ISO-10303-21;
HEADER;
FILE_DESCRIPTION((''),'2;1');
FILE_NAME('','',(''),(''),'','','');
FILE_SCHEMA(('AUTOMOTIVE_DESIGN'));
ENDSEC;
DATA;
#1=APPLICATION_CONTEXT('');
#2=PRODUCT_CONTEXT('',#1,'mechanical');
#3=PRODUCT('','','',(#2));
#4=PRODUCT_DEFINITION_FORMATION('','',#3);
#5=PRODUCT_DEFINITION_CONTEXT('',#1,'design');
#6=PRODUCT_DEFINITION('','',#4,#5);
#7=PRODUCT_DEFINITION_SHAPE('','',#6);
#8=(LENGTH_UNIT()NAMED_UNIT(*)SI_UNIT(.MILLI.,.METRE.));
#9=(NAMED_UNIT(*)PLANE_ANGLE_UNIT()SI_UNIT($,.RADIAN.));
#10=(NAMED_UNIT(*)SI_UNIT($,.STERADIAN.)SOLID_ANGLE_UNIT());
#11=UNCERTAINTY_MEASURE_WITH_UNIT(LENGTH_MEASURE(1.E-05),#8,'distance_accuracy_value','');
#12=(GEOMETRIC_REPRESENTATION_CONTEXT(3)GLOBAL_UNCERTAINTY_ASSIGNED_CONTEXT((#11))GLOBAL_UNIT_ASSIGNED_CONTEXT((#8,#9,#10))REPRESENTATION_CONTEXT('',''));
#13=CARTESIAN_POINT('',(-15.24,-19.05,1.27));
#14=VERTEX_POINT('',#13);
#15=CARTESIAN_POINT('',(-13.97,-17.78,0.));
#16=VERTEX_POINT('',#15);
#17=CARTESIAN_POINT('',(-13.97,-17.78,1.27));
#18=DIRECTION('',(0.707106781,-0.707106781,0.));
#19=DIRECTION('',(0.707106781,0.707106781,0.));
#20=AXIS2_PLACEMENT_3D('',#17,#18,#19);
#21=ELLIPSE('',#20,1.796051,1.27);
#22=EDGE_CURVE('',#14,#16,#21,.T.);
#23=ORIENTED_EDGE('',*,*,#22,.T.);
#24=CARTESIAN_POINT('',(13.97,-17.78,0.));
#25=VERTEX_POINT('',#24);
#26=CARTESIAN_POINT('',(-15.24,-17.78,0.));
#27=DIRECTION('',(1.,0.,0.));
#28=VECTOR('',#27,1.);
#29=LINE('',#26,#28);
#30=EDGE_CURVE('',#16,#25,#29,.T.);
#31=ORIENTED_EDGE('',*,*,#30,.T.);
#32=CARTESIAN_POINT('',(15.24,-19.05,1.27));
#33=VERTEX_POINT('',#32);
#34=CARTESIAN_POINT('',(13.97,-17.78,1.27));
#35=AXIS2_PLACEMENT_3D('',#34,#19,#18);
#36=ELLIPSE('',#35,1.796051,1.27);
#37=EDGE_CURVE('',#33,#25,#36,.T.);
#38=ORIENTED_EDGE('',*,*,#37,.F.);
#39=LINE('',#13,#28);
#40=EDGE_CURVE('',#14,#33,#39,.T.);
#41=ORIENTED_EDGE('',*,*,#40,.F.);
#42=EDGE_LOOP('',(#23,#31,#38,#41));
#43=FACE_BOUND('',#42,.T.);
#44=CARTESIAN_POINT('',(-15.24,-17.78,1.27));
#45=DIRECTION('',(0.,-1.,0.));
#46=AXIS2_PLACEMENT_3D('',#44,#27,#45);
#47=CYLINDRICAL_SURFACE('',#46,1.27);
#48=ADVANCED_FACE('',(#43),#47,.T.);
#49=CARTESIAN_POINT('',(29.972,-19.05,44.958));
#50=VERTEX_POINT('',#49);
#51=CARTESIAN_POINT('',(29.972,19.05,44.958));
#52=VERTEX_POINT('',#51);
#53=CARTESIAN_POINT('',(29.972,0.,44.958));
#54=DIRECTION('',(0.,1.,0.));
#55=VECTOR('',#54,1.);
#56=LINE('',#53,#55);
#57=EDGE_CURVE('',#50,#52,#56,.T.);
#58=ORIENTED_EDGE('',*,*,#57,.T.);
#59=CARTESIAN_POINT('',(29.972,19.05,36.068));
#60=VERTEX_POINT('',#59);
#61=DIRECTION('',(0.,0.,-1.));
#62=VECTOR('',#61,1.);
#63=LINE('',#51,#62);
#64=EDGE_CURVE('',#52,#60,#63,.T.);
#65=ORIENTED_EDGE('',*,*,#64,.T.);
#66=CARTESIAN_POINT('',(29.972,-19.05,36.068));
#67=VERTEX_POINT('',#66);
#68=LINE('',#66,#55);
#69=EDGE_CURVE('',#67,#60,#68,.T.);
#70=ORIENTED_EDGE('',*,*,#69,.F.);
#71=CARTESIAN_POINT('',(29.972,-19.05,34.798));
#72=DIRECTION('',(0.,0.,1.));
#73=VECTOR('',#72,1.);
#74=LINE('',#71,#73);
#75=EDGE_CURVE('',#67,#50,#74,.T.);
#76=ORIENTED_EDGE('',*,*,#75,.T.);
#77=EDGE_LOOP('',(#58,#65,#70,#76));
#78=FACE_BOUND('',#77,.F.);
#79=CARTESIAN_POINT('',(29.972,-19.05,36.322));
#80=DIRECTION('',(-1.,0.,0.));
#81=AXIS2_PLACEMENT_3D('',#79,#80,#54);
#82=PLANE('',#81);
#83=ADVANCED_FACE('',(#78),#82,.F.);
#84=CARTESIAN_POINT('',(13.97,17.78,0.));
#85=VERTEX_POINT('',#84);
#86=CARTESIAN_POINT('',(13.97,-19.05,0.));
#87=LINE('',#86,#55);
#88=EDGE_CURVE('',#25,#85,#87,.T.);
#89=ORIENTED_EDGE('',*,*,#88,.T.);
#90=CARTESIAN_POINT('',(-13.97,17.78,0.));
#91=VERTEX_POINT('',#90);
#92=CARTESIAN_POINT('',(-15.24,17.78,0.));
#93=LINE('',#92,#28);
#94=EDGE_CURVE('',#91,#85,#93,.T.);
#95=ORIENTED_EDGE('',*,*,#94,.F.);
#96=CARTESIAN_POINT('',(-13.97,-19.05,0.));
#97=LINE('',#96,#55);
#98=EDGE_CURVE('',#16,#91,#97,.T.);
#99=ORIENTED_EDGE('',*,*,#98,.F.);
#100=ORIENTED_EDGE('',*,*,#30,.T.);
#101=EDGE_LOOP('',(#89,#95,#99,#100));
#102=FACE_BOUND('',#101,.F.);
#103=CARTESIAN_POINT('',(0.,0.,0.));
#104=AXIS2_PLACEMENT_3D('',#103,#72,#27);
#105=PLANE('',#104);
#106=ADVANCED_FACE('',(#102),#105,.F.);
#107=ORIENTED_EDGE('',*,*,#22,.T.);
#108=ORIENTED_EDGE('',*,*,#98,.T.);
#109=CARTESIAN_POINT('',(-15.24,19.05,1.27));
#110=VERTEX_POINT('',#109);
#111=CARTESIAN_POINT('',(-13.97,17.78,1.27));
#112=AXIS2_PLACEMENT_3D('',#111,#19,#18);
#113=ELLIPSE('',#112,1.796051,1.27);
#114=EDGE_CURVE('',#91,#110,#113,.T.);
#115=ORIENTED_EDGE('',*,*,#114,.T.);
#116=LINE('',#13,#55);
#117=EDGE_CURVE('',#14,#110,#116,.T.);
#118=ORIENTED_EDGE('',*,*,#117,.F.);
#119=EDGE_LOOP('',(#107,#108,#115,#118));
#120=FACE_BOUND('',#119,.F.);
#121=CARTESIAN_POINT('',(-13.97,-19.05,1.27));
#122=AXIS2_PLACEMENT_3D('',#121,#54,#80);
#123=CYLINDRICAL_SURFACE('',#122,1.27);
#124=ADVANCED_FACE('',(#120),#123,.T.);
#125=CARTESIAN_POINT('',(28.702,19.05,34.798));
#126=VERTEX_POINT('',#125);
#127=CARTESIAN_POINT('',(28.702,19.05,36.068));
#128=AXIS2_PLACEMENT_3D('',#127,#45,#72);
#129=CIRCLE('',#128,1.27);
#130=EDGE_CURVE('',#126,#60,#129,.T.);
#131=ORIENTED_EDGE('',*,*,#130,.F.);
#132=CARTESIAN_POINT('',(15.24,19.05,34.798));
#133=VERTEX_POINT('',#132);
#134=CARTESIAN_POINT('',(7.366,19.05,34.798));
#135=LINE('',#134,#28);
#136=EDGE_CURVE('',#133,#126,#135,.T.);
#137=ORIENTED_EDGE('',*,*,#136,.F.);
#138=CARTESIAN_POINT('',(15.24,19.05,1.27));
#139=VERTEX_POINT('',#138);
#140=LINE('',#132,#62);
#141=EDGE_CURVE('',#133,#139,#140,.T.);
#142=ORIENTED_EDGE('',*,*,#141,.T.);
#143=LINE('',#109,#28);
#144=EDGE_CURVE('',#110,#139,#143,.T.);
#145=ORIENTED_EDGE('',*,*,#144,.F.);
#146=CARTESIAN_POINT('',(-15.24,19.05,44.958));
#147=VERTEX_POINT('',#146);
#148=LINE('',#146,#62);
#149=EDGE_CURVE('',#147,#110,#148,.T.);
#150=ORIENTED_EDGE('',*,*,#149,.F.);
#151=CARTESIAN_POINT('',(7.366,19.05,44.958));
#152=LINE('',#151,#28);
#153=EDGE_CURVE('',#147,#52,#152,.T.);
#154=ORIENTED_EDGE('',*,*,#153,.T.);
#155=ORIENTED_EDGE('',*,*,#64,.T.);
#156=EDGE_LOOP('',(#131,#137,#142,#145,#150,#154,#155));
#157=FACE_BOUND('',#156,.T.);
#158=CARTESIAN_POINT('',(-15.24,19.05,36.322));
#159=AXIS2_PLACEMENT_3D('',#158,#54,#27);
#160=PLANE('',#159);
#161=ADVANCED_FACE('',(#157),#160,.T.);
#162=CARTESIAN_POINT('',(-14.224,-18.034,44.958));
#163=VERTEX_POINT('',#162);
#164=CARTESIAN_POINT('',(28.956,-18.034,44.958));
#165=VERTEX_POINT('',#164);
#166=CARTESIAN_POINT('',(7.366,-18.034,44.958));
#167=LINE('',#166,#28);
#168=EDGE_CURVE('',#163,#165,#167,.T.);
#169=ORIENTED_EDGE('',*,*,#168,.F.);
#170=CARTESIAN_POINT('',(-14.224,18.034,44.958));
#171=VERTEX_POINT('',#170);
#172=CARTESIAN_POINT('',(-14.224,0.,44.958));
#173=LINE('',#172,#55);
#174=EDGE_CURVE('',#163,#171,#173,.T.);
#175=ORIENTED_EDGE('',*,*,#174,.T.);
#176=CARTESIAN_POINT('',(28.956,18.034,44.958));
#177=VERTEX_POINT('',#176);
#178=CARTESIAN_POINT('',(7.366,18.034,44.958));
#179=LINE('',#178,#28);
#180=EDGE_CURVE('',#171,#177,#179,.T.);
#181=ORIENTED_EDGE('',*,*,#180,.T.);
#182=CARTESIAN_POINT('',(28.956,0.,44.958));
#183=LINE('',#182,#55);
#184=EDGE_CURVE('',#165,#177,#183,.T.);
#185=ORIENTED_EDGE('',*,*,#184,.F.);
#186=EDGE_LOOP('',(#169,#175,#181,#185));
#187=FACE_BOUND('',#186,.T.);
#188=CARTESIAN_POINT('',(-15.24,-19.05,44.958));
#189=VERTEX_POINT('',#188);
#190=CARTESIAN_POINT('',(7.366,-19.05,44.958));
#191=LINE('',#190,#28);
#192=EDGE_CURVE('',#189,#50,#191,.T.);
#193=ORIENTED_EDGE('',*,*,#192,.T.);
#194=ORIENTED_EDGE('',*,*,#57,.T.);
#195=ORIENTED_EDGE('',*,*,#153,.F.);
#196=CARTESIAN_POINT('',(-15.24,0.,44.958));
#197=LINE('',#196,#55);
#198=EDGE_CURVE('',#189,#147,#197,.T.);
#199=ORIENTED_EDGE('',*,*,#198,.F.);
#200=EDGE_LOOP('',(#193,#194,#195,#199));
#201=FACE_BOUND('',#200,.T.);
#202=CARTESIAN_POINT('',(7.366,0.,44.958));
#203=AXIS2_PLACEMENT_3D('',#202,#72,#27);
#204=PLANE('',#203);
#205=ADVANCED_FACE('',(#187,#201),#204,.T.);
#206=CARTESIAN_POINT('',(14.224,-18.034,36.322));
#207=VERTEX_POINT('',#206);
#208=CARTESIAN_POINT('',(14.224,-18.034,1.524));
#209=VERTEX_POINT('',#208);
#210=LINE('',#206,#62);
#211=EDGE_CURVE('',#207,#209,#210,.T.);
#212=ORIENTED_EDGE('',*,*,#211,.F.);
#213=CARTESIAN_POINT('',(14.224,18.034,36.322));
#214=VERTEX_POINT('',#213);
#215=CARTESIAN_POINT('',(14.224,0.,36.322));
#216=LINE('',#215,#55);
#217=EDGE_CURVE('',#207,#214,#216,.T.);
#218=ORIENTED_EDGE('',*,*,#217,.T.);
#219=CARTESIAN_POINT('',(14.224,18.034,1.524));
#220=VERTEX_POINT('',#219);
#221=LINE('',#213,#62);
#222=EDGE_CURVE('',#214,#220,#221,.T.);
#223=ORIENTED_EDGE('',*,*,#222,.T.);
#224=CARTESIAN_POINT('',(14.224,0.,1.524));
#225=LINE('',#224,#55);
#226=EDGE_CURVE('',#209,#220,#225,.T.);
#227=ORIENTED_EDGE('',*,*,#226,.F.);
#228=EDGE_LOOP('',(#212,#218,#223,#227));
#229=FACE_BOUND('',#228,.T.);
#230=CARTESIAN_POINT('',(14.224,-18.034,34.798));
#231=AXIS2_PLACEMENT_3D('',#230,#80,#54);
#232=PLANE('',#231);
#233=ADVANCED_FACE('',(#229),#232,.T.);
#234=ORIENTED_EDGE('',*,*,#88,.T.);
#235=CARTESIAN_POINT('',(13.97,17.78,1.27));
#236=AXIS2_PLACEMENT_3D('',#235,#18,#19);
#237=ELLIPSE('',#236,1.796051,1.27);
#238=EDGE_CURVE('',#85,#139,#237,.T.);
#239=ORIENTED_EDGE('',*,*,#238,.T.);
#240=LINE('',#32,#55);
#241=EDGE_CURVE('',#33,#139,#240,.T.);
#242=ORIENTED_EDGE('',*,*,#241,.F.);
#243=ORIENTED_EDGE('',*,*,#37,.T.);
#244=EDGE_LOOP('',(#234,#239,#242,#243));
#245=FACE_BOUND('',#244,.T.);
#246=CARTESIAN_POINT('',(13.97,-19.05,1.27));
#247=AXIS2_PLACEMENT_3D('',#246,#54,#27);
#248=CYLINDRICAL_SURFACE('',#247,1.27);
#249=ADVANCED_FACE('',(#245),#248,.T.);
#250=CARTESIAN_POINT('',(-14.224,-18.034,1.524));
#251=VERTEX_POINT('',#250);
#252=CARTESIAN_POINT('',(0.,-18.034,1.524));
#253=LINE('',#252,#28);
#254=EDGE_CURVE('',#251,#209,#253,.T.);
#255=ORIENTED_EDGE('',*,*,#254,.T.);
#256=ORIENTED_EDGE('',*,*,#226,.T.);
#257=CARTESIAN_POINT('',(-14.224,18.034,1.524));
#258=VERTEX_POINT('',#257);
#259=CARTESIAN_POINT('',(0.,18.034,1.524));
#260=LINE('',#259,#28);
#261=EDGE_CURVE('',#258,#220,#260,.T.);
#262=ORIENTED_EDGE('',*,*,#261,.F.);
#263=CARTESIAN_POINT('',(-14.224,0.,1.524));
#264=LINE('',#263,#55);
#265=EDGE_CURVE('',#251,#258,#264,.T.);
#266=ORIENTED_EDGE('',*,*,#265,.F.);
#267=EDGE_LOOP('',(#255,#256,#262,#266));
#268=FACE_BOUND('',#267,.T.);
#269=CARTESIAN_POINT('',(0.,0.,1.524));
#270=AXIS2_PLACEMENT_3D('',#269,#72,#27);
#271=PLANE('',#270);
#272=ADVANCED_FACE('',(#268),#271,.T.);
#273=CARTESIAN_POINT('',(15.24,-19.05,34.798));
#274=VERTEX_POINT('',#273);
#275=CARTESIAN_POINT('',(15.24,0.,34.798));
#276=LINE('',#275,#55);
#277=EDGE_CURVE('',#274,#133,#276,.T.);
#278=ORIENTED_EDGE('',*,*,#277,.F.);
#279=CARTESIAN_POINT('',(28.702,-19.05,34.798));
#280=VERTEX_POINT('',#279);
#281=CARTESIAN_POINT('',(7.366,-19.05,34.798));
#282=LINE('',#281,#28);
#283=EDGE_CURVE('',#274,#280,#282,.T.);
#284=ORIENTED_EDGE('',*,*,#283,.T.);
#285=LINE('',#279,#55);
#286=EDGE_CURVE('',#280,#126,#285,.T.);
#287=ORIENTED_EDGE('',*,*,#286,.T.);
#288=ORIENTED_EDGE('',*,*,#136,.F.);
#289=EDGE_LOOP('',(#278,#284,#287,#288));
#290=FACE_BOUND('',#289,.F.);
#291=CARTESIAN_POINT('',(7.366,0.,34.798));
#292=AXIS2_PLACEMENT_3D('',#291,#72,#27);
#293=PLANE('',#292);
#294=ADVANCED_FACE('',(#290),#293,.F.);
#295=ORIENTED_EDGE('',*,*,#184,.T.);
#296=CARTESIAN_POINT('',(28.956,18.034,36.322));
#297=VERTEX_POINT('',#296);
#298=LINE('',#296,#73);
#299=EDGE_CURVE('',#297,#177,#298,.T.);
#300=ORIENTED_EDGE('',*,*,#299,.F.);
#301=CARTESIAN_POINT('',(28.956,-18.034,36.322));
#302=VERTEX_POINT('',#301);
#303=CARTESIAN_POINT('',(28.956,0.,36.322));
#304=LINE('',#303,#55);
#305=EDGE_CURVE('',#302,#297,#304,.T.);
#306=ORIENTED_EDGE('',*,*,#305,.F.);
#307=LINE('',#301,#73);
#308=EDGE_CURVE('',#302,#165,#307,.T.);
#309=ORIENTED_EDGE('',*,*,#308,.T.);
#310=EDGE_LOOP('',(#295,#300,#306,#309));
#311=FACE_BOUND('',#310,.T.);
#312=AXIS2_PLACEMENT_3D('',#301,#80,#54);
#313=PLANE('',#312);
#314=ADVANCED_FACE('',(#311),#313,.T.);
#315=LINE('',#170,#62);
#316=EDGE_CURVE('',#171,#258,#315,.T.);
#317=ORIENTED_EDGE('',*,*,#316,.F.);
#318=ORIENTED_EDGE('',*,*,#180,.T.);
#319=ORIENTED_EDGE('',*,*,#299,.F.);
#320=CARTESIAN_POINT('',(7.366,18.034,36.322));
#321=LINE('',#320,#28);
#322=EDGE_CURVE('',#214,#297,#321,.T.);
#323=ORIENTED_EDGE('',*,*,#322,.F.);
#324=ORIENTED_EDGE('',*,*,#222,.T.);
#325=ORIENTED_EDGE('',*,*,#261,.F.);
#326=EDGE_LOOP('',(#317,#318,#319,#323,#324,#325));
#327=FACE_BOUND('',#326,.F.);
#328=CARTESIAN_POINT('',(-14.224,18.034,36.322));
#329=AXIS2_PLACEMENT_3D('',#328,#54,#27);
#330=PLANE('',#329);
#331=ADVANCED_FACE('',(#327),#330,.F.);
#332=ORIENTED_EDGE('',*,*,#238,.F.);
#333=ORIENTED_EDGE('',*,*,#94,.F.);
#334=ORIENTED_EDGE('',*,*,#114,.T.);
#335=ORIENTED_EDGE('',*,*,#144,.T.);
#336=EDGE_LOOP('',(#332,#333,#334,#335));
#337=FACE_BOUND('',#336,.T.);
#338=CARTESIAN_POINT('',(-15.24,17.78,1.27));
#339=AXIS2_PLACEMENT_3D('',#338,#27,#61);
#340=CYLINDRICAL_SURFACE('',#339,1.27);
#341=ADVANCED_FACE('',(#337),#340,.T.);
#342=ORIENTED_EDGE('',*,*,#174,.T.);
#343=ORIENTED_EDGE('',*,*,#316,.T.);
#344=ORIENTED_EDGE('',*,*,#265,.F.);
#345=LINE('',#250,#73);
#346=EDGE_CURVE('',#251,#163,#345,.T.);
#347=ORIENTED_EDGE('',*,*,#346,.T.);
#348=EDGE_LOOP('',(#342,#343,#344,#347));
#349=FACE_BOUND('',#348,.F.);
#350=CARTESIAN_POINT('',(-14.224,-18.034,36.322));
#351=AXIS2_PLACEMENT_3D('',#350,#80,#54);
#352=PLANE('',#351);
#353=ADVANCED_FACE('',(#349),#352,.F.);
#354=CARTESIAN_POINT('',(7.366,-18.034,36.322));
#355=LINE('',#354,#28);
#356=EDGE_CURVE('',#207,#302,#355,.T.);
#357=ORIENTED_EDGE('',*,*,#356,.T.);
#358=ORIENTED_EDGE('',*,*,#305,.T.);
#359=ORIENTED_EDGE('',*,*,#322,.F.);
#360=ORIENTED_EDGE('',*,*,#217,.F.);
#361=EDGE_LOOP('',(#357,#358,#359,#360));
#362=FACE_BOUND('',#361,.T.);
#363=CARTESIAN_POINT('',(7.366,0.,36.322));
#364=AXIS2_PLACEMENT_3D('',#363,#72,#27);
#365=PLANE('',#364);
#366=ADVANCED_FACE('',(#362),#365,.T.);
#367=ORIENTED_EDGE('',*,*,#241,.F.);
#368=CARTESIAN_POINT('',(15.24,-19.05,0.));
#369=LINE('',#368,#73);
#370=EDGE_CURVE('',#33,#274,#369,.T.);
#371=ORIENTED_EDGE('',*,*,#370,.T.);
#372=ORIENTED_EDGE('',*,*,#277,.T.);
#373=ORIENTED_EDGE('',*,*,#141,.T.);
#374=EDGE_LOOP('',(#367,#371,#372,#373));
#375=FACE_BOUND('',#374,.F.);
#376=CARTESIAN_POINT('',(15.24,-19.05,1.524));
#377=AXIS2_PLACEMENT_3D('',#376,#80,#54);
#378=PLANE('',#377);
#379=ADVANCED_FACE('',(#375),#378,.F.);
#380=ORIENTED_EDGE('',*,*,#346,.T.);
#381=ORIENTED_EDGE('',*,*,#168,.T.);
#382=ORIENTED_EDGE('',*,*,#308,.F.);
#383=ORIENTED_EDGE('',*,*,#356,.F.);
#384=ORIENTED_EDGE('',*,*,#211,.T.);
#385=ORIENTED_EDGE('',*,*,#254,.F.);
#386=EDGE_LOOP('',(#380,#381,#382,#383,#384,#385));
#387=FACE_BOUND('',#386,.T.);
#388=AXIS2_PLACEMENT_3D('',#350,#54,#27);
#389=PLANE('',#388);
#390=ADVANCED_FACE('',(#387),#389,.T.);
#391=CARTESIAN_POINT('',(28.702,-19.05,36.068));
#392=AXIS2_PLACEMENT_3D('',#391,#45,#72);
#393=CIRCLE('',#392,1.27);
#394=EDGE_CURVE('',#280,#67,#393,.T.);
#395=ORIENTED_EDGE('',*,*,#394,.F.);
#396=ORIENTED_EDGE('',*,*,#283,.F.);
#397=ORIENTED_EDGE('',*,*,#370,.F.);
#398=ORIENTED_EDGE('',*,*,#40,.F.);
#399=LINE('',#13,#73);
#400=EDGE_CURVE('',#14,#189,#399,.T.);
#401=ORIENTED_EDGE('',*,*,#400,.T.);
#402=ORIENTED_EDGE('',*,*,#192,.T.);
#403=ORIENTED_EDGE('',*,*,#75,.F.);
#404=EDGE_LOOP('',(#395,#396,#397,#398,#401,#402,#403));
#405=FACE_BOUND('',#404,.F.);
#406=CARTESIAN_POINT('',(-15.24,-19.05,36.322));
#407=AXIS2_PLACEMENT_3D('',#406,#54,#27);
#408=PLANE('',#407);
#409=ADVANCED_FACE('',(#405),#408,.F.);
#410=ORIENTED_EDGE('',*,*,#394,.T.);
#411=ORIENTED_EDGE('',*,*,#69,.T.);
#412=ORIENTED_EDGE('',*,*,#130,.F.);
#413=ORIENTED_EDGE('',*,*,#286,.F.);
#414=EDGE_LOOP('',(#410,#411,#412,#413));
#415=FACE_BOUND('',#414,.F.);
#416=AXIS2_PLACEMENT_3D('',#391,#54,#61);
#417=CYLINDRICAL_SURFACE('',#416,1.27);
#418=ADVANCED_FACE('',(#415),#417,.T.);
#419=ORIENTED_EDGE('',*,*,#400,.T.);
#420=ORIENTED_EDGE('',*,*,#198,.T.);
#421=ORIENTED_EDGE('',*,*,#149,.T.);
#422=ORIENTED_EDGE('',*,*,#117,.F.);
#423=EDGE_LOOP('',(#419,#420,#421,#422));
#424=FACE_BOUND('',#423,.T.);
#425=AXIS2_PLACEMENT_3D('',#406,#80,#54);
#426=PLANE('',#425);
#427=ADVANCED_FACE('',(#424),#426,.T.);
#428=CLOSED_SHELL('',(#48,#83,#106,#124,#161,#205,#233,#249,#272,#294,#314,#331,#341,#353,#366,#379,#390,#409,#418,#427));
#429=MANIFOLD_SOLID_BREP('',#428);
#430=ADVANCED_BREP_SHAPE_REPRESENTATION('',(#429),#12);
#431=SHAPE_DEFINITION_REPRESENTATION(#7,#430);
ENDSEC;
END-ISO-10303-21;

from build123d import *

# Parameters (mm, degrees)
F0_W     = 30.48
F0_H     = 38.1
F1_DEPTH = 1.524
F2_W     = 30.48
F2_H     = 38.1
F2_W_2   = 28.448
F2_H_2   = 36.068
F3_DEPTH = 33.274
F4_R     = 1.27
F5_W     = 45.212
F5_H     = 38.1
F5_W_2   = 28.448
F5_H_2   = 36.068
F6_DEPTH = 1.524
F7_W     = 45.212
F7_H     = 38.1
F7_W_2   = 43.18
F7_H_2   = 36.068
F8_DEPTH = 8.636
F9_R     = 1.27


with BuildPart() as f1:
    # F0 (on Top) → F1 (new body)
    with BuildSketch(Plane.XY):
        Rectangle(F0_W, F0_H)
    extrude(amount=F1_DEPTH)

    # F2 (on face) → F3 (join)
    with BuildSketch(Plane.XY.offset(1.524)):
        Rectangle(F2_W, F2_H)
        Rectangle(F2_W_2, F2_H_2, mode=Mode.SUBTRACT)
    extrude(amount=F3_DEPTH)

    # F4
    f4_edges = [f1.edges().sort_by_distance(p)[0] for p in [
        (0, 19.05, 0),
        (-15.24, 0, 0),
        (0, -19.05, 0),
        (15.24, 0, 0),
    ]]
    fillet(f4_edges, radius=F4_R)

    # F5 (on face) → F6 (join)
    with BuildSketch(Plane.XY.offset(34.798)):
        with Locations((7.366, 0)):
            Rectangle(F5_W, F5_H)
        Rectangle(F5_W_2, F5_H_2, mode=Mode.SUBTRACT)
    extrude(amount=F6_DEPTH)

    # F7 (on face) → F8 (join)
    with BuildSketch(Plane.XY.offset(36.322)):
        with Locations((7.366, 0)):
            Rectangle(F7_W, F7_H)
        with Locations((7.366, 0)):
            Rectangle(F7_W_2, F7_H_2, mode=Mode.SUBTRACT)
    extrude(amount=F8_DEPTH)

    # F9
    f9_edges = [f1.edges().sort_by_distance(p)[0] for p in [
        (29.972, 0, 34.798),
    ]]
    fillet(f9_edges, radius=F9_R)


solid = f1.part
